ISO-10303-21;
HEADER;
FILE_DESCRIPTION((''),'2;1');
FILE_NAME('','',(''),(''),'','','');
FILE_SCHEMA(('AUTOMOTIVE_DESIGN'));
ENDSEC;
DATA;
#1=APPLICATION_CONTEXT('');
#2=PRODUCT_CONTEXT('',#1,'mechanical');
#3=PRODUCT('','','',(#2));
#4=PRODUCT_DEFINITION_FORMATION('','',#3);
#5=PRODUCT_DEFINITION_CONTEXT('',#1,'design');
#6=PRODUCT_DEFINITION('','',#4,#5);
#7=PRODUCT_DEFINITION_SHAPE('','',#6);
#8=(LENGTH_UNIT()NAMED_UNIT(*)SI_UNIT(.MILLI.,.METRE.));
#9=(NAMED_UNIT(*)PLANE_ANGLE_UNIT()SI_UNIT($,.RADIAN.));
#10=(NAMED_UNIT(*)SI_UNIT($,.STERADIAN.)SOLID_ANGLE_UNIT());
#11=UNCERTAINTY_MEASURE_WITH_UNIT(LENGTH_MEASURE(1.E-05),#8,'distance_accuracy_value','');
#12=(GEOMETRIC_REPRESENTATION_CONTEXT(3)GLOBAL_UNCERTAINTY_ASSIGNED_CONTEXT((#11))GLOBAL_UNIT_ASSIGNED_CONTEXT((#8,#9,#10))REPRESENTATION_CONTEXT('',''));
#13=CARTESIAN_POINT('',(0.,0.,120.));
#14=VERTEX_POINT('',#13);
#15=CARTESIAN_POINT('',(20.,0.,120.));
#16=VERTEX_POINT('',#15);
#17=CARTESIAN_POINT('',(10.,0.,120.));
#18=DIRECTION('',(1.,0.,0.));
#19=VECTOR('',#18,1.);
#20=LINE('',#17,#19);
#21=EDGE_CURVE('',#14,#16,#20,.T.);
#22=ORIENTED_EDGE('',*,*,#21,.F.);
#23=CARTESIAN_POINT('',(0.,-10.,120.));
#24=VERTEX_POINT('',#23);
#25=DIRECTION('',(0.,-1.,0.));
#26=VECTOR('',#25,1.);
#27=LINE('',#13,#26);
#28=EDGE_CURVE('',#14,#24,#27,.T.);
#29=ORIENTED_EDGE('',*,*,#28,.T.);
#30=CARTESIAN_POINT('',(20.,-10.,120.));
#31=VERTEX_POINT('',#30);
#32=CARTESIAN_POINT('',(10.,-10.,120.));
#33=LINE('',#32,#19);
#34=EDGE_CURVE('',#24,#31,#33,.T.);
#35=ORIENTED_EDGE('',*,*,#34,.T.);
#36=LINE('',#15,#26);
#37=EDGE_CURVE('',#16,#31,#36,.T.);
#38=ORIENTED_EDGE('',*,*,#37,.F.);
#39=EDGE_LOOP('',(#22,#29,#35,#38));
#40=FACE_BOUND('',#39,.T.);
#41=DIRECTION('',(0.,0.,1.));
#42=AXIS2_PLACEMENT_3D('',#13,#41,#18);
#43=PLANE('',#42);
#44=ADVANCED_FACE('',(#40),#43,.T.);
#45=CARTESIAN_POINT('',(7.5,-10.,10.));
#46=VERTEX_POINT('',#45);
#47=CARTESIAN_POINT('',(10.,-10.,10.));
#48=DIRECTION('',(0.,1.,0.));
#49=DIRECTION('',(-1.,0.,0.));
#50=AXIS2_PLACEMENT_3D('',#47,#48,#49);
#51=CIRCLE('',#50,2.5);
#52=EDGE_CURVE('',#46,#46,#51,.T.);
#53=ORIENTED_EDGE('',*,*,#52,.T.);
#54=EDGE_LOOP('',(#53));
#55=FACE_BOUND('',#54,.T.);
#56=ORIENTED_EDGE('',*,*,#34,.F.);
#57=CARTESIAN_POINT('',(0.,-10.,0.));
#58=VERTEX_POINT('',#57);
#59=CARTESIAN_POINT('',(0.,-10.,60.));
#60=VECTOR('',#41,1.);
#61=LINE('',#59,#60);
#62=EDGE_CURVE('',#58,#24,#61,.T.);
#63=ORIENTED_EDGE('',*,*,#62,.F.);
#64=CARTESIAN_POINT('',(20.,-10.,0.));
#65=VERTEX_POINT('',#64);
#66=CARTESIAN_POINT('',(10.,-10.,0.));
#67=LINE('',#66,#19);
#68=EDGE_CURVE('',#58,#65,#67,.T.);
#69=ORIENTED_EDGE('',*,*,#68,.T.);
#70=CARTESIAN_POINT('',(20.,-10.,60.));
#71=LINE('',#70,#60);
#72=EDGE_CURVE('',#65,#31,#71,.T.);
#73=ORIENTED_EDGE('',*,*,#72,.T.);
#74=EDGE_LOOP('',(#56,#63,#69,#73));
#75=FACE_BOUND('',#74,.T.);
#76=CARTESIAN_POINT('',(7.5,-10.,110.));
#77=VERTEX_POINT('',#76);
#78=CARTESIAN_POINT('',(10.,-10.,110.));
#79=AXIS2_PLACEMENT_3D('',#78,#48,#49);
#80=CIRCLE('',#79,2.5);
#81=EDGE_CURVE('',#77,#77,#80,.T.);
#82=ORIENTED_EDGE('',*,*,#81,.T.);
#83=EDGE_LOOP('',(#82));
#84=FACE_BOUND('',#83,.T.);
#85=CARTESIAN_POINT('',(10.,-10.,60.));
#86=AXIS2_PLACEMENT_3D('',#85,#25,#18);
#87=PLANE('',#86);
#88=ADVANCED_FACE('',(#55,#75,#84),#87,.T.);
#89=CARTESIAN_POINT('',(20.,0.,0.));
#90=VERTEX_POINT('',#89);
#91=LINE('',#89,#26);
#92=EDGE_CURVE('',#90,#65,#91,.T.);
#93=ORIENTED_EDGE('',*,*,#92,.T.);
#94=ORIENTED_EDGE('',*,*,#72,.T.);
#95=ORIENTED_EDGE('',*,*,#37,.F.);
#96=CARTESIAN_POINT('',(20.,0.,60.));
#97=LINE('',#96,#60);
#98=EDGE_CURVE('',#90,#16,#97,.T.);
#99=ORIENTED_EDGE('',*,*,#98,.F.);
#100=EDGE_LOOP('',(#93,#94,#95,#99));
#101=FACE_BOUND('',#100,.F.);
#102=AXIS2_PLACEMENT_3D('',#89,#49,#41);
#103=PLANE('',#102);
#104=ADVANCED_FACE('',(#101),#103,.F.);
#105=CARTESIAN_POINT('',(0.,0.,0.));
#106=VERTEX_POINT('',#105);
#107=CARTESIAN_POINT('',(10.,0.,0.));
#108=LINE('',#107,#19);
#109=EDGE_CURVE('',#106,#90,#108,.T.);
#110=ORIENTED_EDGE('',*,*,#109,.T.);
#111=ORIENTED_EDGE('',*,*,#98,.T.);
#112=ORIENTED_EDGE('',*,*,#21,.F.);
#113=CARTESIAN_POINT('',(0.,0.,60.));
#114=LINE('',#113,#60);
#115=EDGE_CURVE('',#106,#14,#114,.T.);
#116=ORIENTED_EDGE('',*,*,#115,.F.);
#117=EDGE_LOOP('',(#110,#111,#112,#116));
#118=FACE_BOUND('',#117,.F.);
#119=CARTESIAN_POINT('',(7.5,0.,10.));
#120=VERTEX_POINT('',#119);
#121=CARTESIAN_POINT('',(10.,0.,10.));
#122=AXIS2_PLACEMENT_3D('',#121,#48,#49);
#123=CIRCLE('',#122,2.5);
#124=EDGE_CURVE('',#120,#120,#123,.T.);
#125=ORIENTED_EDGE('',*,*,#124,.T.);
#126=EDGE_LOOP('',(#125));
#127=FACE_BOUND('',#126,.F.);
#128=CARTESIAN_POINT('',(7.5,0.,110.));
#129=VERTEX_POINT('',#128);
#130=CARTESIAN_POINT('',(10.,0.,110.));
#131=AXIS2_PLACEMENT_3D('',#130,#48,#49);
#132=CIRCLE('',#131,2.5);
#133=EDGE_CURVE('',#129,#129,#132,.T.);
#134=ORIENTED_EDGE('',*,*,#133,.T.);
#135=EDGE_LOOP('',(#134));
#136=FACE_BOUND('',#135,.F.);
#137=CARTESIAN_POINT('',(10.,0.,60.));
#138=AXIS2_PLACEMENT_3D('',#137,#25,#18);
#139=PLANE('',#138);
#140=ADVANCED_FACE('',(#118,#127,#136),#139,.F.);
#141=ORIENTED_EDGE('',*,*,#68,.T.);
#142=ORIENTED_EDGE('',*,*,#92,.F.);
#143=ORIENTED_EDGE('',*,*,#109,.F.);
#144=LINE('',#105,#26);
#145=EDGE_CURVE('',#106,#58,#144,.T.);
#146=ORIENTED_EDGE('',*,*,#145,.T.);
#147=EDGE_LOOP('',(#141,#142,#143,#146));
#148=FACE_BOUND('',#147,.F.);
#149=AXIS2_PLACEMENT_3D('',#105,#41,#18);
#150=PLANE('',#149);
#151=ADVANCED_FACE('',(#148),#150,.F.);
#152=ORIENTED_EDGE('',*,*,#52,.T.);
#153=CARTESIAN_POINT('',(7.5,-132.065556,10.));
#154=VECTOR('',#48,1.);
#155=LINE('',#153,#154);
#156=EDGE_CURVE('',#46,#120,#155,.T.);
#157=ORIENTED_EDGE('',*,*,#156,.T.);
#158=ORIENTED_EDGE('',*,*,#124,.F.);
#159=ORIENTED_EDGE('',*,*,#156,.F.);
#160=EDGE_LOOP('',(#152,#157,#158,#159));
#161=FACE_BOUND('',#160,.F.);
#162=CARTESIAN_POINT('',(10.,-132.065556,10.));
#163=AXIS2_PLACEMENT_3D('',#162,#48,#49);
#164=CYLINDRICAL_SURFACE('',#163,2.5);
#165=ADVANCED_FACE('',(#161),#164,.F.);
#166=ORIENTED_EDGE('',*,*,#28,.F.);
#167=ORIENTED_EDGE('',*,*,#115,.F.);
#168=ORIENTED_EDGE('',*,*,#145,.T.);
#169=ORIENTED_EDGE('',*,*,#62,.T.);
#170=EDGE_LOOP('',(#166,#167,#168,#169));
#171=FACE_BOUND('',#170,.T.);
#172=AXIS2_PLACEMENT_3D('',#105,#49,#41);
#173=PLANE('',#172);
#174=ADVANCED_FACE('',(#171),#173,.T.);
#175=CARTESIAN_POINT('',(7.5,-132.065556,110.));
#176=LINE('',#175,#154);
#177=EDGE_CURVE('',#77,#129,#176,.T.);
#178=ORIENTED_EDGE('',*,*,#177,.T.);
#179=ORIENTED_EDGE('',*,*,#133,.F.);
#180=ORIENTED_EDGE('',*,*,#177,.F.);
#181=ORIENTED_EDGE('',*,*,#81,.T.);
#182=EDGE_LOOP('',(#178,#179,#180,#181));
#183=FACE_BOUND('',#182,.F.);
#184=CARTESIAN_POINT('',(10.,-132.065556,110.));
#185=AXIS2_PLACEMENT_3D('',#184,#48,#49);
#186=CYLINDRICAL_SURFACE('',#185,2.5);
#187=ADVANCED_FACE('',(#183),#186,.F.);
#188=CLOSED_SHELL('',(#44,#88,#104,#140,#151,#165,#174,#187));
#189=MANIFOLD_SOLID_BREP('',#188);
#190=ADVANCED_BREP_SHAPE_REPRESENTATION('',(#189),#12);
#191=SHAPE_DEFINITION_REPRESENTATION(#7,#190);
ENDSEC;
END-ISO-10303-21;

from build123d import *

# Parameters (mm, degrees)
F0_W     = 20
F0_H     = 120
F1_DEPTH = 10
F3_D     = 5


with BuildPart() as f1:
    # F0 (on Front) → F1 (new body)
    with BuildSketch(Plane.XZ):
        with Locations((10, 60)):
            Rectangle(F0_W, F0_H)
    extrude(amount=F1_DEPTH)

    # F3 (through all)
    with Locations(Plane.XZ.offset(10)):
        with Locations((10, 110), (10, 10)):
            Hole(F3_D / 2)


solid = f1.part
